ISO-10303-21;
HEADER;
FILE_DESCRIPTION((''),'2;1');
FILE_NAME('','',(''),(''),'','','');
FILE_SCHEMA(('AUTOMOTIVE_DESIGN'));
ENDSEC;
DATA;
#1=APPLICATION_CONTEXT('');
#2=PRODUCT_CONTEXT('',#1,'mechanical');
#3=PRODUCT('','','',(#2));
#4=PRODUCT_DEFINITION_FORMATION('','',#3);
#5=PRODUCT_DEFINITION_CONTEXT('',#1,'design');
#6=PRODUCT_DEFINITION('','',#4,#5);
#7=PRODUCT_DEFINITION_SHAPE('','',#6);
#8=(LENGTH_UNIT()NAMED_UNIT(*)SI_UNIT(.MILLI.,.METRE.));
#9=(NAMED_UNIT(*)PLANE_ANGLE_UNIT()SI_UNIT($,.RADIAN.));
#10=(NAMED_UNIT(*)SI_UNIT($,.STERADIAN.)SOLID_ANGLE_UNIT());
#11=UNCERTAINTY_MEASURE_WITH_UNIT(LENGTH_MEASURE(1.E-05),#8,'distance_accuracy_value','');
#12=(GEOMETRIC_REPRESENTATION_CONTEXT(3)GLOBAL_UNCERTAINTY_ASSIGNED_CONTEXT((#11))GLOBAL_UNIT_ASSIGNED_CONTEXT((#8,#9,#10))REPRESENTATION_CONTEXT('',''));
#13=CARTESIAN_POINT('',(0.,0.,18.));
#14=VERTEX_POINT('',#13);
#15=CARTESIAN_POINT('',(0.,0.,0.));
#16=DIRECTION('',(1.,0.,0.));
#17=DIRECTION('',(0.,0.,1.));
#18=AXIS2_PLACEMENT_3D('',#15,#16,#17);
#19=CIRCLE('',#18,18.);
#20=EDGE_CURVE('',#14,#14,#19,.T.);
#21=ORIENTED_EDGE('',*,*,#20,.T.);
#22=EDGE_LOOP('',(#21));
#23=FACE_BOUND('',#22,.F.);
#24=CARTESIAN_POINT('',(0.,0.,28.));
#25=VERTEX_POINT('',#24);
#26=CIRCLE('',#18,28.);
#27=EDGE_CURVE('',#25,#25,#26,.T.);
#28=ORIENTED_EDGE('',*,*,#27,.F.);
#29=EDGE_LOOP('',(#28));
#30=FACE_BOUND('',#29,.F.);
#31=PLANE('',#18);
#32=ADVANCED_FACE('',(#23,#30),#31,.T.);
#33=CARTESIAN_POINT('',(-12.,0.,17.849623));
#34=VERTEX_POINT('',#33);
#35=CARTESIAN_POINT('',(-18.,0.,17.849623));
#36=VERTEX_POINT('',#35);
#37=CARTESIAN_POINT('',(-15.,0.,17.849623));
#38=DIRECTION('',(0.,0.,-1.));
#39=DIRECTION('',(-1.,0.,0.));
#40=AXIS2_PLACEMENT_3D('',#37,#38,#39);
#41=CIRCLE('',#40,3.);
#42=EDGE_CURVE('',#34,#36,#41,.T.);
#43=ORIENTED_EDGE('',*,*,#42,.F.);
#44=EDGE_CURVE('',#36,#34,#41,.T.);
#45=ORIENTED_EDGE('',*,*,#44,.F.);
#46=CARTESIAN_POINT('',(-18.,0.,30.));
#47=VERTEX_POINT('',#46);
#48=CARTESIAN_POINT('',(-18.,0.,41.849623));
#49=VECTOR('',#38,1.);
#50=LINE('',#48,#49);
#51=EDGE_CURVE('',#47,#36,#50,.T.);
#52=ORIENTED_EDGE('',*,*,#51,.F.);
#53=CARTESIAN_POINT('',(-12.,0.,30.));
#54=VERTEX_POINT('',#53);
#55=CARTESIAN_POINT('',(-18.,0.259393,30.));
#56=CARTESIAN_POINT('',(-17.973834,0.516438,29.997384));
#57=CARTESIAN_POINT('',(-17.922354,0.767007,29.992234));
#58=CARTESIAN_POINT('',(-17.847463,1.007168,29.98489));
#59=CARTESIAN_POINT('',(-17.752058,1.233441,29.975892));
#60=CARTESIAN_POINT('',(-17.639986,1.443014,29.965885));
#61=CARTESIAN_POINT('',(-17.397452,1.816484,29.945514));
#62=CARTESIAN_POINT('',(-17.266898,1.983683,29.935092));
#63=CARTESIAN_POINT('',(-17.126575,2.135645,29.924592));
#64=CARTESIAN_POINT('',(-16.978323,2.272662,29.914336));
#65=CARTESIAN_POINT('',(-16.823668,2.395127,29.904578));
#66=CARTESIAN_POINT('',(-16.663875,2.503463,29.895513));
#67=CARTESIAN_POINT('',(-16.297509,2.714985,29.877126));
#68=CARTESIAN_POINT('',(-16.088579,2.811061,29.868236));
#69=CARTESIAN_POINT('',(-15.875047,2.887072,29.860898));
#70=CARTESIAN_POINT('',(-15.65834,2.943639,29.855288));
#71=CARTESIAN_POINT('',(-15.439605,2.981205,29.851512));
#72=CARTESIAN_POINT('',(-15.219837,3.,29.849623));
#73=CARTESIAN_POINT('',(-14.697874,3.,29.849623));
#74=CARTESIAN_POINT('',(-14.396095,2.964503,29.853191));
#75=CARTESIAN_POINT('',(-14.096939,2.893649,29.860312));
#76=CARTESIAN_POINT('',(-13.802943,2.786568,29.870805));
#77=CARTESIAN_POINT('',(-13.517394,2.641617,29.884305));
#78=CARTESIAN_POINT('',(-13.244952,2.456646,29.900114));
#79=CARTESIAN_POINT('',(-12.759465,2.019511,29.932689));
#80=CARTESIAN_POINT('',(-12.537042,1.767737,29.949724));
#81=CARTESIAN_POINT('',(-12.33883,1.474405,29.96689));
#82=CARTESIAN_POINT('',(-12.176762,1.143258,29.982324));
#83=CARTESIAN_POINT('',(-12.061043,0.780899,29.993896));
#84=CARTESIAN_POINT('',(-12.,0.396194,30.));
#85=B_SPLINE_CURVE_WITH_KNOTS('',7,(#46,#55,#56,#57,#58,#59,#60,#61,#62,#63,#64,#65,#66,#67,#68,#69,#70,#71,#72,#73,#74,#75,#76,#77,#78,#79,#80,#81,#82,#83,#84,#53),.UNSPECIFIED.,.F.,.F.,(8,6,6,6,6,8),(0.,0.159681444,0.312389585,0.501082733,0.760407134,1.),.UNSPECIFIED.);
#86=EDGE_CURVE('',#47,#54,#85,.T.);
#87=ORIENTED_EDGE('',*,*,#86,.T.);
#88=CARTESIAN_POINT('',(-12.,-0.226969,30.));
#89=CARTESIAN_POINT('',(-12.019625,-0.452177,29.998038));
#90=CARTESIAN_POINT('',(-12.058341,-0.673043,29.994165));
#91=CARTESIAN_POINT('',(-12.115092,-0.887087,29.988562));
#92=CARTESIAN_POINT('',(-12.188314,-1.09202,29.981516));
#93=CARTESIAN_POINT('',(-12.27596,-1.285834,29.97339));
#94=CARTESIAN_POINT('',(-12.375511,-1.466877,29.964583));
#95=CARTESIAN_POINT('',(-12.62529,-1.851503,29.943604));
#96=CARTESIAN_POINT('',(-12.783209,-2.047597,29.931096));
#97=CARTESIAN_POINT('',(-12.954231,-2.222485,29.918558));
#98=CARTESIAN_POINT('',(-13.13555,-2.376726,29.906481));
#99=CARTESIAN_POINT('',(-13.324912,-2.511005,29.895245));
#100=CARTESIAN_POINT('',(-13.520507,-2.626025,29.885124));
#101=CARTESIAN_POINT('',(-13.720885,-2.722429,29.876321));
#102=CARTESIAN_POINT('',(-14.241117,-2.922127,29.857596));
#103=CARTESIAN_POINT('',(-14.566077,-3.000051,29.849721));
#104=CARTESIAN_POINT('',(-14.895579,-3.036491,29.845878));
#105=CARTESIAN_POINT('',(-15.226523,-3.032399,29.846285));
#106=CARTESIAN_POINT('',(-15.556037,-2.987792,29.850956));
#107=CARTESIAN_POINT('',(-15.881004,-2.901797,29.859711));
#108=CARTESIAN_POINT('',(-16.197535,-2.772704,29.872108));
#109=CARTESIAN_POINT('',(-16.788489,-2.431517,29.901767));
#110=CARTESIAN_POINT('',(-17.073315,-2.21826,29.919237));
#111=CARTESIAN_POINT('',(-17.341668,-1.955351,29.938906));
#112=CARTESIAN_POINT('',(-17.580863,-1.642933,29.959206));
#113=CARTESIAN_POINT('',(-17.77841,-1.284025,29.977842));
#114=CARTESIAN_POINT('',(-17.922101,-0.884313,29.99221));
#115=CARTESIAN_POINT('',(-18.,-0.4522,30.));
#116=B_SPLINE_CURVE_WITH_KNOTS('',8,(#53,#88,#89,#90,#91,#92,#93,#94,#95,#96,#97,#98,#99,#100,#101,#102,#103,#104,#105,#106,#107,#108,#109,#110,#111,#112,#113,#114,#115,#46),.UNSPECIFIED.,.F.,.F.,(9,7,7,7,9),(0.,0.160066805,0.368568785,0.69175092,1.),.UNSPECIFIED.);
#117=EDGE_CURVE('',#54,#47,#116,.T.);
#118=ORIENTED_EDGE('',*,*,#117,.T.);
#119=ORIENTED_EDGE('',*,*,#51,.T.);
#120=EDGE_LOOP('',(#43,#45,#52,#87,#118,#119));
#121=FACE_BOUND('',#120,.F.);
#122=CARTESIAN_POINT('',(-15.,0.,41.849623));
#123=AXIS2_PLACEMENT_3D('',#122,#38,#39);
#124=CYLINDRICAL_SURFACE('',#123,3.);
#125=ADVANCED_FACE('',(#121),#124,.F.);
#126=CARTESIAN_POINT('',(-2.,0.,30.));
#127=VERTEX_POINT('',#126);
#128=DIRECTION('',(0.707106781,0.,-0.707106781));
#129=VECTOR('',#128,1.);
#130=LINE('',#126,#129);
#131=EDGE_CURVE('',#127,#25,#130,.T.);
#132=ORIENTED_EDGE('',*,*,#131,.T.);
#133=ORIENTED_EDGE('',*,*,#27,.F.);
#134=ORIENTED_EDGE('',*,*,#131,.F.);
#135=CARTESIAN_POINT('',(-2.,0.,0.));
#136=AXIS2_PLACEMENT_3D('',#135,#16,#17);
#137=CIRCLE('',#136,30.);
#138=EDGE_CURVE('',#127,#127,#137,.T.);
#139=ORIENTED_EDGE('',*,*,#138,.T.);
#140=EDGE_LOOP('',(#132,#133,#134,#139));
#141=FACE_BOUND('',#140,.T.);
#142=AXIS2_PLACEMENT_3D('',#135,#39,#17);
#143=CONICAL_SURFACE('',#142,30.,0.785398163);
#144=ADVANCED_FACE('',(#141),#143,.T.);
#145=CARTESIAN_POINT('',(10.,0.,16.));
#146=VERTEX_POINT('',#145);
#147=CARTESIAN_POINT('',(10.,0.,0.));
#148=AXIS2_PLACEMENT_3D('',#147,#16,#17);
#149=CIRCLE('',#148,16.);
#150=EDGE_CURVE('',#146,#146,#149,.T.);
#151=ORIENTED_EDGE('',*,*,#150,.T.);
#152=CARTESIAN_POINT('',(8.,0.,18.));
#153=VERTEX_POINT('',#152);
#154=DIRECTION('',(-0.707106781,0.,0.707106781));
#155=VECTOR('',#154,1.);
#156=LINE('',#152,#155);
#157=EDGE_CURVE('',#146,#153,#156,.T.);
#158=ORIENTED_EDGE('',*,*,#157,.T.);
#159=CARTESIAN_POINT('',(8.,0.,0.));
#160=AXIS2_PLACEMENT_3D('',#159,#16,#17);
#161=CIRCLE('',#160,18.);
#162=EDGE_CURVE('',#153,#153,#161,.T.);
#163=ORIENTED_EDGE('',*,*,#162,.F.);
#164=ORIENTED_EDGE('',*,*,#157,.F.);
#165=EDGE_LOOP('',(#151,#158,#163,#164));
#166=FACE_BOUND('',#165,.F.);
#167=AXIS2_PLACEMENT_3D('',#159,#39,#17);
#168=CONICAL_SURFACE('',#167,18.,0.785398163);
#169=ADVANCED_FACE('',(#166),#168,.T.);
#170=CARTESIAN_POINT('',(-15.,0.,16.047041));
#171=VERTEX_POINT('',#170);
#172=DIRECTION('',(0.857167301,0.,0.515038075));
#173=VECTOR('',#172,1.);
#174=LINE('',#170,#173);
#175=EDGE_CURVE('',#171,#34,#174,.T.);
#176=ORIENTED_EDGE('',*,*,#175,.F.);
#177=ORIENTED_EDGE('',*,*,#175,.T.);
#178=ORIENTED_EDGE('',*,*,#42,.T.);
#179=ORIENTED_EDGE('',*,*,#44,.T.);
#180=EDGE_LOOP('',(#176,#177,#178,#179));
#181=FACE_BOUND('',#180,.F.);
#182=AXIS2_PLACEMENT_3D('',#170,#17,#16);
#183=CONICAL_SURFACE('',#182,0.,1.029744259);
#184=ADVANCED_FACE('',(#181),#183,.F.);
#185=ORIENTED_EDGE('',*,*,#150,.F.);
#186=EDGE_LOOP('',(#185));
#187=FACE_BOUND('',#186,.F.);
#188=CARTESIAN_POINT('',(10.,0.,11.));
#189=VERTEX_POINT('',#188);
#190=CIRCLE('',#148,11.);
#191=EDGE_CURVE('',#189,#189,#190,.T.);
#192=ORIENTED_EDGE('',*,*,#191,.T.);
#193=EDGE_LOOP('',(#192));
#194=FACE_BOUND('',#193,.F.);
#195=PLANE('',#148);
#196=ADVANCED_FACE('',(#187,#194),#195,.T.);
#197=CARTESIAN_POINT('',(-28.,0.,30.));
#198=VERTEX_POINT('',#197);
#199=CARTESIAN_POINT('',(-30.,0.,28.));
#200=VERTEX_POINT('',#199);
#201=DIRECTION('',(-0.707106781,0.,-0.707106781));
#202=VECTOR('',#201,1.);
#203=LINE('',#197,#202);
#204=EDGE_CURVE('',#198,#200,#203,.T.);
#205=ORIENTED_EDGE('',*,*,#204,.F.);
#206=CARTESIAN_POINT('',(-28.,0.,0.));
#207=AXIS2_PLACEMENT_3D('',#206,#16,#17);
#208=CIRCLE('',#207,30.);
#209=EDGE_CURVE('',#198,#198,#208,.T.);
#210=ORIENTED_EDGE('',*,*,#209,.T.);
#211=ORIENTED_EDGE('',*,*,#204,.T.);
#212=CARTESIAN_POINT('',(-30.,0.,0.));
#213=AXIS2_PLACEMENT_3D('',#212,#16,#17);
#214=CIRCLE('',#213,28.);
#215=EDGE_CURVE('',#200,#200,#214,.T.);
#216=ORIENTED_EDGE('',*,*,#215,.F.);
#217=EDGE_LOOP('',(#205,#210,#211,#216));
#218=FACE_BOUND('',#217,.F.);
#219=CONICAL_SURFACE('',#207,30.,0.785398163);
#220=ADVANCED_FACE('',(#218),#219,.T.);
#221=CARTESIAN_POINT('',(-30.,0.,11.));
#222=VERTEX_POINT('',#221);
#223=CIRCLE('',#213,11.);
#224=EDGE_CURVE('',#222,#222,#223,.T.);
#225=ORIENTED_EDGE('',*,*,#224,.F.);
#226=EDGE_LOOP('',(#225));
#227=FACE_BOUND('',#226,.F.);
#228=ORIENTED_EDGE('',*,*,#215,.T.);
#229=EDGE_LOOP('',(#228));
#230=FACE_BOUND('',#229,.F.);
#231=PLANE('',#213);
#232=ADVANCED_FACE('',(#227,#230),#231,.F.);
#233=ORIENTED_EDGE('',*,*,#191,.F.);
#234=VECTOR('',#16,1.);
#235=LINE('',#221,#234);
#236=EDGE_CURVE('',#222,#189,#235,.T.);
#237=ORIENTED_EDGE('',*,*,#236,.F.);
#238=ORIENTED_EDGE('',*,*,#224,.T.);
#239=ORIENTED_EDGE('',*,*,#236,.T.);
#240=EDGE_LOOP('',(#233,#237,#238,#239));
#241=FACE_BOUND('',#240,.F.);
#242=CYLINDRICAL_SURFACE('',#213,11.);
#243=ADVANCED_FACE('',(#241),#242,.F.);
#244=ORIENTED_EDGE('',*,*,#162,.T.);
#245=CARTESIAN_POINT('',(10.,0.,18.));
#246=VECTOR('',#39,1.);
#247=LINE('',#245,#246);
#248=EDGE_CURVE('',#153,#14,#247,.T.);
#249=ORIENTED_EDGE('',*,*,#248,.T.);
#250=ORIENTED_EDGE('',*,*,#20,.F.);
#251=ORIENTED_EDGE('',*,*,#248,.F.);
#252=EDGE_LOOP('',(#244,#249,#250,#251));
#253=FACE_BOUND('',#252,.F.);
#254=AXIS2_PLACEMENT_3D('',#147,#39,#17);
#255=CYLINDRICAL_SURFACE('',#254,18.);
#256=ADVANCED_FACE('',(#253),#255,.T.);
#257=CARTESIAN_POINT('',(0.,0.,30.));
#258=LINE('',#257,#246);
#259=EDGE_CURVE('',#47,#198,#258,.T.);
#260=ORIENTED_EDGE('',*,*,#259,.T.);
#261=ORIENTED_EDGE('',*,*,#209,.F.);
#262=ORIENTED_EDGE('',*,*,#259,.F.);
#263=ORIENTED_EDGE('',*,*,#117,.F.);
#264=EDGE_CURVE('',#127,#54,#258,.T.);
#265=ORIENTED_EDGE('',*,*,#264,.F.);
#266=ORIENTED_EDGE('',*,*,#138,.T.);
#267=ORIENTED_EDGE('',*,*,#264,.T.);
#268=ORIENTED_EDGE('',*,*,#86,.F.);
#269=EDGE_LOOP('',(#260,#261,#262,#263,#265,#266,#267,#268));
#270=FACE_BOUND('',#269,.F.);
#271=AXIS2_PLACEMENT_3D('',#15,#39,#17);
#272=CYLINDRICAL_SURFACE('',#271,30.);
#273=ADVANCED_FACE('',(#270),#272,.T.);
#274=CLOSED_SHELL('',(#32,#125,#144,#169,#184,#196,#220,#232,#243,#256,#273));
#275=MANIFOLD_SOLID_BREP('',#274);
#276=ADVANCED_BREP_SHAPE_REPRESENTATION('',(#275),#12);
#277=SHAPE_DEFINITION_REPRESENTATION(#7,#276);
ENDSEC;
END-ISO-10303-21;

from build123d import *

# Parameters (mm, degrees)
F2_SIZE  = 2
F5_D     = 6
F5_DEPTH = 12
F5_START = 0.150377
F5_TIP   = 1.8025818571


with BuildPart() as f1:
    # F0 (on Front) → F1 (revolve)
    with BuildSketch(Plane.XZ):
        Polygon((0, 30), (-30, 30), (-30, 11), (10, 11), (10, 18), (0, 18), align=None)
    revolve(axis=Axis((3.7253e-06, 0, 0), (1, 0, 0)))

    # F2
    f2_edges = [f1.edges().sort_by_distance(p)[0] for p in [
        (0, 0, -30),
        (-30, 0, -30),
        (-15, 0, 30),
        (10, 0, -18),
    ]]
    chamfer(f2_edges, length=F2_SIZE)

    # F5
    # its depths count from where the whole tool has entered the part; down to there all is cleared
    with Locations(Plane.XY.offset(30).offset(-F5_START)):
        with Locations((-15, 0)):
            Hole(F5_D / 2, depth=F5_DEPTH)
            with Locations((0, 0, -(F5_DEPTH + F5_TIP / 2))):  # 118° drill point
                Cone(0, F5_D / 2, F5_TIP, mode=Mode.SUBTRACT)


solid = f1.part
